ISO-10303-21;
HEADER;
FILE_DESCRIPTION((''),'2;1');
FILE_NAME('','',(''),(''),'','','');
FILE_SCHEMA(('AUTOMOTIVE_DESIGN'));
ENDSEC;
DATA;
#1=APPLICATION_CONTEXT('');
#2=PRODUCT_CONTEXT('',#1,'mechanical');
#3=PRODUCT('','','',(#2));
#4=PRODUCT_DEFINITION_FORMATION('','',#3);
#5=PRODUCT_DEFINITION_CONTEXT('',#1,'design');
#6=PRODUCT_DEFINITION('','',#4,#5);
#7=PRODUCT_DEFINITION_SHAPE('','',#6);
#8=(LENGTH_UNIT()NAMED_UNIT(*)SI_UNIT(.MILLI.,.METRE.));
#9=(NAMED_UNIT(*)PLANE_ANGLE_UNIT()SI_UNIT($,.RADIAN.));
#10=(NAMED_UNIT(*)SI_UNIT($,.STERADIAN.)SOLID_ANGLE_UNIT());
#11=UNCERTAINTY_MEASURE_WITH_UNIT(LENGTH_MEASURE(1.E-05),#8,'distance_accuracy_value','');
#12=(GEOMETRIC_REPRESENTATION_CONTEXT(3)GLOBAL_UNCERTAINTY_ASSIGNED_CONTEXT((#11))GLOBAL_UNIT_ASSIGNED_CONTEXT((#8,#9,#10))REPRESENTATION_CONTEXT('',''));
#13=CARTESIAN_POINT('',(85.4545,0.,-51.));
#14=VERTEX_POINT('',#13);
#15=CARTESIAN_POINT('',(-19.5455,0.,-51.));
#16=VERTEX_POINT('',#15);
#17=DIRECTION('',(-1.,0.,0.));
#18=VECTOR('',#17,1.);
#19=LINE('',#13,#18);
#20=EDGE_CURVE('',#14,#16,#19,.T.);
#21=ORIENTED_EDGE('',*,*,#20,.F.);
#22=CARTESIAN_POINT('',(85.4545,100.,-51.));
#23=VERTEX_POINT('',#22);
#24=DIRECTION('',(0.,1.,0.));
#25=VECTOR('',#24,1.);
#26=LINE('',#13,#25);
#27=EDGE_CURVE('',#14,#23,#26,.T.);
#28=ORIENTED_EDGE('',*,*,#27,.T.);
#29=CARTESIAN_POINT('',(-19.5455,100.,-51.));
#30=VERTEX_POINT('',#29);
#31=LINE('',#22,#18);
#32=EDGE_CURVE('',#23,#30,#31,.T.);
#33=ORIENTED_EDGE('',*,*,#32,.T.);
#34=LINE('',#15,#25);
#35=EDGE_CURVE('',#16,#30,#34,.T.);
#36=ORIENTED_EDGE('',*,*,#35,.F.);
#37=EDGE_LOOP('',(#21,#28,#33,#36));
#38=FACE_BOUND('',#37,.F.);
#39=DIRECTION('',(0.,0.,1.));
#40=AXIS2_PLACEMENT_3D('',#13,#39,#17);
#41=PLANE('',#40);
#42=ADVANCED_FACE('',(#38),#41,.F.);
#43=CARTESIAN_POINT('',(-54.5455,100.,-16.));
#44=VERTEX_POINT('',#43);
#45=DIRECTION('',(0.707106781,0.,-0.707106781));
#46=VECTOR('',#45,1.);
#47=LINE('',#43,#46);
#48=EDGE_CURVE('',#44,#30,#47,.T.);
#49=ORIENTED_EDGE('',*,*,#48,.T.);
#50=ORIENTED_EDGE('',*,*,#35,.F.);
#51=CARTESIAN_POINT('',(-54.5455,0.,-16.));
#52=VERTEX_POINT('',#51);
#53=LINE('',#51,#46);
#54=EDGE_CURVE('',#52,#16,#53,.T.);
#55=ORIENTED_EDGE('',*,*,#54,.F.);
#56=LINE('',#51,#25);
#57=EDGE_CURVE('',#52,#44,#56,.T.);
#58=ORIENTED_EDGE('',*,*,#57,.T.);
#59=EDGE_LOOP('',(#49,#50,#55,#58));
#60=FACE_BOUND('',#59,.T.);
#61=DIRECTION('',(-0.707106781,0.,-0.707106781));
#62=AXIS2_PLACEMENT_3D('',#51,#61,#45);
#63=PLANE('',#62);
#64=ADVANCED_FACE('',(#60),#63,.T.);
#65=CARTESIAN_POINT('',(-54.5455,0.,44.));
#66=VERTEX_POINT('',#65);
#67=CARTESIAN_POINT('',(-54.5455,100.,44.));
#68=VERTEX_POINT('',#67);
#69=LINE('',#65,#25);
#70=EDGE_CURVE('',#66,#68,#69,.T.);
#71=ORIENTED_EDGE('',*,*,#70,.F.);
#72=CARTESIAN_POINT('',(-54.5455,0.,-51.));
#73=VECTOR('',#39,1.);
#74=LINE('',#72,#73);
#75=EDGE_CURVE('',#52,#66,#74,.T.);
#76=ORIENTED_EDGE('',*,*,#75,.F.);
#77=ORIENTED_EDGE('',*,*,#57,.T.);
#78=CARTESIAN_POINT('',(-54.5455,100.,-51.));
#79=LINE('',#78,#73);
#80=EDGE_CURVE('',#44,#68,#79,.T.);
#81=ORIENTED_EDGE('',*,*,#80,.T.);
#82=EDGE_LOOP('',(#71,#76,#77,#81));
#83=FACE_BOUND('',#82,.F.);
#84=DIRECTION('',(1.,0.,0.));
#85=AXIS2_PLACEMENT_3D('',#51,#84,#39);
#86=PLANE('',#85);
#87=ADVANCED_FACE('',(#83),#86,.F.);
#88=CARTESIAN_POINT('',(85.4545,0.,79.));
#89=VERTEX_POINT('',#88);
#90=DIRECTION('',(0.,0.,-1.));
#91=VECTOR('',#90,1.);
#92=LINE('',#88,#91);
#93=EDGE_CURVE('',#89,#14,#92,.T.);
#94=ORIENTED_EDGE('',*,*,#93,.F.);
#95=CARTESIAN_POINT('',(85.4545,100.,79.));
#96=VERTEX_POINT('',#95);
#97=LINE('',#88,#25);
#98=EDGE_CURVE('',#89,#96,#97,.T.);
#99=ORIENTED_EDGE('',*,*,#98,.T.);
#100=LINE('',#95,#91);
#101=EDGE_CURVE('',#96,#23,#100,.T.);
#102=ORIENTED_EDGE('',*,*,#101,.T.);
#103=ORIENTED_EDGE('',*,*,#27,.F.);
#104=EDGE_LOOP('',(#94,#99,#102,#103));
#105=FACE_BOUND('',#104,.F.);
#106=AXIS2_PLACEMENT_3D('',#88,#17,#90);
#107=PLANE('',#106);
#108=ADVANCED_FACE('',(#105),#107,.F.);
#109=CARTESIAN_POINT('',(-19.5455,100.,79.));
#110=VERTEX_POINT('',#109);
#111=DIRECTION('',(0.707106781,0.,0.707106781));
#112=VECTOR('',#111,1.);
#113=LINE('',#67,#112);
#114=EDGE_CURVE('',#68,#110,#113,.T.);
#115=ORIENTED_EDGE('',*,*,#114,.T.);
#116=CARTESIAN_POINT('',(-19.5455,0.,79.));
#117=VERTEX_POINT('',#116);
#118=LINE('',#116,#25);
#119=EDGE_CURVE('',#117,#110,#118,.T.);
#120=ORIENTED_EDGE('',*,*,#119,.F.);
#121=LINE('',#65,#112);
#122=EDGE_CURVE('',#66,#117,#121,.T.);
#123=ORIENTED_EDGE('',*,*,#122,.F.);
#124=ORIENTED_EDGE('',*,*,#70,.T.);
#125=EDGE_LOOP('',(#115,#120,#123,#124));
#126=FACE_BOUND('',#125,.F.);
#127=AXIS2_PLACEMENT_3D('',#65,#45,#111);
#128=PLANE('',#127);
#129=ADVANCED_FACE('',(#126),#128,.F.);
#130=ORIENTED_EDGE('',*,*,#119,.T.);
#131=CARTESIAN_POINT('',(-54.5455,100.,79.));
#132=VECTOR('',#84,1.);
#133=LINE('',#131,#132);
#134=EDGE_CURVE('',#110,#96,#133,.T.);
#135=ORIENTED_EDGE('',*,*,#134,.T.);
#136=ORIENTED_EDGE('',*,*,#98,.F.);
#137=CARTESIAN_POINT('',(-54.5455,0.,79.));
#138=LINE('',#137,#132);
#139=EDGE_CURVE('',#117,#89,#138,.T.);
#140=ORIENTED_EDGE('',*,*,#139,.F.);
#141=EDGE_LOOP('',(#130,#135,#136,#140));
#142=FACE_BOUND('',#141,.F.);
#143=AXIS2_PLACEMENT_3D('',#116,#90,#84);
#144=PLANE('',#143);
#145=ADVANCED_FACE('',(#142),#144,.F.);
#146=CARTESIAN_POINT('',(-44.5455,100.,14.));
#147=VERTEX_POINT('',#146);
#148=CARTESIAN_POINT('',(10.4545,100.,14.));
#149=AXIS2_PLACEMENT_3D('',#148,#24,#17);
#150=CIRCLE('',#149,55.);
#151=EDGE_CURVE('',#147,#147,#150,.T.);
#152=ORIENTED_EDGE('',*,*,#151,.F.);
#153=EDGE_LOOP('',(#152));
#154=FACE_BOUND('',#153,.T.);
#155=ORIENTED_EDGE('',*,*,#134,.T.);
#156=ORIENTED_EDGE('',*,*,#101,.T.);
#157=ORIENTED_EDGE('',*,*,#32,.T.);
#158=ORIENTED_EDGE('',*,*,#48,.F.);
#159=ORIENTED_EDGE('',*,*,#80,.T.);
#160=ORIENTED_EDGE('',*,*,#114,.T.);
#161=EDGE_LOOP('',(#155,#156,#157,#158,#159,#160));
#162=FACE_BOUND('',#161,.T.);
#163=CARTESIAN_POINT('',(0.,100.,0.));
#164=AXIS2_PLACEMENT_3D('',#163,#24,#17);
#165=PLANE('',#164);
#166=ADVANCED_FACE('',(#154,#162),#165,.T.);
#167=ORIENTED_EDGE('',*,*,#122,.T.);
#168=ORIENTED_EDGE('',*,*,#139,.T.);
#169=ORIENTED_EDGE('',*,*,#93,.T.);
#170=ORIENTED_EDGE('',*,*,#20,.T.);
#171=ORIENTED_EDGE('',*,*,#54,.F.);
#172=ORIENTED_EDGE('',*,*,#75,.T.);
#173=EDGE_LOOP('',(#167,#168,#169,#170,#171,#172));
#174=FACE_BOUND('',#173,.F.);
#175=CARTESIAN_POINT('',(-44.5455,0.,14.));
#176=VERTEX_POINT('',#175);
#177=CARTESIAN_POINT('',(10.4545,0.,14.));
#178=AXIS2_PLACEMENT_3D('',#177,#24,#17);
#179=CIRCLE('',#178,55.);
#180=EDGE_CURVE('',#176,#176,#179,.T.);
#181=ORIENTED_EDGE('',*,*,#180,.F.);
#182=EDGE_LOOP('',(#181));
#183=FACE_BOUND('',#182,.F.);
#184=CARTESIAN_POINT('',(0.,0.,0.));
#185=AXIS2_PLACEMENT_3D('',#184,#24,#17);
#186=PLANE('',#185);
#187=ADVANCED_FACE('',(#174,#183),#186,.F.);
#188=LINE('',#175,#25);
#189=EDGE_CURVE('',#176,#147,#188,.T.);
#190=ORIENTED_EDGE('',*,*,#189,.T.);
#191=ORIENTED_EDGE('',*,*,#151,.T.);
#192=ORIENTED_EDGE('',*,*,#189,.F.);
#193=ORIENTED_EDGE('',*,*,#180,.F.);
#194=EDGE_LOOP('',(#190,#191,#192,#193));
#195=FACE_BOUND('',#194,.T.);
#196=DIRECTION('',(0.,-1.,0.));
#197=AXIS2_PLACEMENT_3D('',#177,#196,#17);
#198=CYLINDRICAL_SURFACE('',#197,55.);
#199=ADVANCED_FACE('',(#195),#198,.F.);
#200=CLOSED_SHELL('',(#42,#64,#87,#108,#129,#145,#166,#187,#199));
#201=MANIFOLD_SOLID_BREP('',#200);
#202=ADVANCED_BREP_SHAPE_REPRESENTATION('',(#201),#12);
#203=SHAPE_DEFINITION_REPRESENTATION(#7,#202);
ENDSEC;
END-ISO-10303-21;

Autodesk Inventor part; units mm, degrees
ref_plane "YZ Plane" through (0, 0, 0) normal (1, 0, 0) x (0, 1, 0)
ref_plane "XZ Plane" through (0, 0, 0) normal (0, 1, 0) x (-1, 0, 0)
ref_plane "XY Plane" through (0, 0, 0) normal (0, 0, 1) x (1, 0, 0)
sketch "Sketch1" plane through (0, 0, 0) normal (0, 1, 0) x (-1, 0, 0)
  line L0 (54.5455, 79) -> (-85.4545, 79)
  line L1 (-85.4545, 79) -> (-85.4545, -51)
  line L2 (-85.4545, -51) -> (54.5455, -51)
  line L3 (54.5455, -51) -> (54.5455, 79)
  circle A0 centre (-10.4545, 14) radius 55
  line L4 (54.5455, -16) -> (19.5455, -51)
  line L5 (54.5455, 44) -> (19.5455, 79)
  point P0 (0, 0)
  dimension "d0" = 130
  dimension "d1" = 35
  dimension "d2" = 35
  dimension "d3" = 35
  dimension "d4" = 35
  dimension "d5" = 65
  dimension "d6" = 110
  dimension "d7" = 65
  dimension "d10" = 140
extrude "Extrusion1" add sketch "Sketch1" along normal blind 100 contours L5 L3 L4 L2 L1 L0
properties part number "OsnovaBaraban"
